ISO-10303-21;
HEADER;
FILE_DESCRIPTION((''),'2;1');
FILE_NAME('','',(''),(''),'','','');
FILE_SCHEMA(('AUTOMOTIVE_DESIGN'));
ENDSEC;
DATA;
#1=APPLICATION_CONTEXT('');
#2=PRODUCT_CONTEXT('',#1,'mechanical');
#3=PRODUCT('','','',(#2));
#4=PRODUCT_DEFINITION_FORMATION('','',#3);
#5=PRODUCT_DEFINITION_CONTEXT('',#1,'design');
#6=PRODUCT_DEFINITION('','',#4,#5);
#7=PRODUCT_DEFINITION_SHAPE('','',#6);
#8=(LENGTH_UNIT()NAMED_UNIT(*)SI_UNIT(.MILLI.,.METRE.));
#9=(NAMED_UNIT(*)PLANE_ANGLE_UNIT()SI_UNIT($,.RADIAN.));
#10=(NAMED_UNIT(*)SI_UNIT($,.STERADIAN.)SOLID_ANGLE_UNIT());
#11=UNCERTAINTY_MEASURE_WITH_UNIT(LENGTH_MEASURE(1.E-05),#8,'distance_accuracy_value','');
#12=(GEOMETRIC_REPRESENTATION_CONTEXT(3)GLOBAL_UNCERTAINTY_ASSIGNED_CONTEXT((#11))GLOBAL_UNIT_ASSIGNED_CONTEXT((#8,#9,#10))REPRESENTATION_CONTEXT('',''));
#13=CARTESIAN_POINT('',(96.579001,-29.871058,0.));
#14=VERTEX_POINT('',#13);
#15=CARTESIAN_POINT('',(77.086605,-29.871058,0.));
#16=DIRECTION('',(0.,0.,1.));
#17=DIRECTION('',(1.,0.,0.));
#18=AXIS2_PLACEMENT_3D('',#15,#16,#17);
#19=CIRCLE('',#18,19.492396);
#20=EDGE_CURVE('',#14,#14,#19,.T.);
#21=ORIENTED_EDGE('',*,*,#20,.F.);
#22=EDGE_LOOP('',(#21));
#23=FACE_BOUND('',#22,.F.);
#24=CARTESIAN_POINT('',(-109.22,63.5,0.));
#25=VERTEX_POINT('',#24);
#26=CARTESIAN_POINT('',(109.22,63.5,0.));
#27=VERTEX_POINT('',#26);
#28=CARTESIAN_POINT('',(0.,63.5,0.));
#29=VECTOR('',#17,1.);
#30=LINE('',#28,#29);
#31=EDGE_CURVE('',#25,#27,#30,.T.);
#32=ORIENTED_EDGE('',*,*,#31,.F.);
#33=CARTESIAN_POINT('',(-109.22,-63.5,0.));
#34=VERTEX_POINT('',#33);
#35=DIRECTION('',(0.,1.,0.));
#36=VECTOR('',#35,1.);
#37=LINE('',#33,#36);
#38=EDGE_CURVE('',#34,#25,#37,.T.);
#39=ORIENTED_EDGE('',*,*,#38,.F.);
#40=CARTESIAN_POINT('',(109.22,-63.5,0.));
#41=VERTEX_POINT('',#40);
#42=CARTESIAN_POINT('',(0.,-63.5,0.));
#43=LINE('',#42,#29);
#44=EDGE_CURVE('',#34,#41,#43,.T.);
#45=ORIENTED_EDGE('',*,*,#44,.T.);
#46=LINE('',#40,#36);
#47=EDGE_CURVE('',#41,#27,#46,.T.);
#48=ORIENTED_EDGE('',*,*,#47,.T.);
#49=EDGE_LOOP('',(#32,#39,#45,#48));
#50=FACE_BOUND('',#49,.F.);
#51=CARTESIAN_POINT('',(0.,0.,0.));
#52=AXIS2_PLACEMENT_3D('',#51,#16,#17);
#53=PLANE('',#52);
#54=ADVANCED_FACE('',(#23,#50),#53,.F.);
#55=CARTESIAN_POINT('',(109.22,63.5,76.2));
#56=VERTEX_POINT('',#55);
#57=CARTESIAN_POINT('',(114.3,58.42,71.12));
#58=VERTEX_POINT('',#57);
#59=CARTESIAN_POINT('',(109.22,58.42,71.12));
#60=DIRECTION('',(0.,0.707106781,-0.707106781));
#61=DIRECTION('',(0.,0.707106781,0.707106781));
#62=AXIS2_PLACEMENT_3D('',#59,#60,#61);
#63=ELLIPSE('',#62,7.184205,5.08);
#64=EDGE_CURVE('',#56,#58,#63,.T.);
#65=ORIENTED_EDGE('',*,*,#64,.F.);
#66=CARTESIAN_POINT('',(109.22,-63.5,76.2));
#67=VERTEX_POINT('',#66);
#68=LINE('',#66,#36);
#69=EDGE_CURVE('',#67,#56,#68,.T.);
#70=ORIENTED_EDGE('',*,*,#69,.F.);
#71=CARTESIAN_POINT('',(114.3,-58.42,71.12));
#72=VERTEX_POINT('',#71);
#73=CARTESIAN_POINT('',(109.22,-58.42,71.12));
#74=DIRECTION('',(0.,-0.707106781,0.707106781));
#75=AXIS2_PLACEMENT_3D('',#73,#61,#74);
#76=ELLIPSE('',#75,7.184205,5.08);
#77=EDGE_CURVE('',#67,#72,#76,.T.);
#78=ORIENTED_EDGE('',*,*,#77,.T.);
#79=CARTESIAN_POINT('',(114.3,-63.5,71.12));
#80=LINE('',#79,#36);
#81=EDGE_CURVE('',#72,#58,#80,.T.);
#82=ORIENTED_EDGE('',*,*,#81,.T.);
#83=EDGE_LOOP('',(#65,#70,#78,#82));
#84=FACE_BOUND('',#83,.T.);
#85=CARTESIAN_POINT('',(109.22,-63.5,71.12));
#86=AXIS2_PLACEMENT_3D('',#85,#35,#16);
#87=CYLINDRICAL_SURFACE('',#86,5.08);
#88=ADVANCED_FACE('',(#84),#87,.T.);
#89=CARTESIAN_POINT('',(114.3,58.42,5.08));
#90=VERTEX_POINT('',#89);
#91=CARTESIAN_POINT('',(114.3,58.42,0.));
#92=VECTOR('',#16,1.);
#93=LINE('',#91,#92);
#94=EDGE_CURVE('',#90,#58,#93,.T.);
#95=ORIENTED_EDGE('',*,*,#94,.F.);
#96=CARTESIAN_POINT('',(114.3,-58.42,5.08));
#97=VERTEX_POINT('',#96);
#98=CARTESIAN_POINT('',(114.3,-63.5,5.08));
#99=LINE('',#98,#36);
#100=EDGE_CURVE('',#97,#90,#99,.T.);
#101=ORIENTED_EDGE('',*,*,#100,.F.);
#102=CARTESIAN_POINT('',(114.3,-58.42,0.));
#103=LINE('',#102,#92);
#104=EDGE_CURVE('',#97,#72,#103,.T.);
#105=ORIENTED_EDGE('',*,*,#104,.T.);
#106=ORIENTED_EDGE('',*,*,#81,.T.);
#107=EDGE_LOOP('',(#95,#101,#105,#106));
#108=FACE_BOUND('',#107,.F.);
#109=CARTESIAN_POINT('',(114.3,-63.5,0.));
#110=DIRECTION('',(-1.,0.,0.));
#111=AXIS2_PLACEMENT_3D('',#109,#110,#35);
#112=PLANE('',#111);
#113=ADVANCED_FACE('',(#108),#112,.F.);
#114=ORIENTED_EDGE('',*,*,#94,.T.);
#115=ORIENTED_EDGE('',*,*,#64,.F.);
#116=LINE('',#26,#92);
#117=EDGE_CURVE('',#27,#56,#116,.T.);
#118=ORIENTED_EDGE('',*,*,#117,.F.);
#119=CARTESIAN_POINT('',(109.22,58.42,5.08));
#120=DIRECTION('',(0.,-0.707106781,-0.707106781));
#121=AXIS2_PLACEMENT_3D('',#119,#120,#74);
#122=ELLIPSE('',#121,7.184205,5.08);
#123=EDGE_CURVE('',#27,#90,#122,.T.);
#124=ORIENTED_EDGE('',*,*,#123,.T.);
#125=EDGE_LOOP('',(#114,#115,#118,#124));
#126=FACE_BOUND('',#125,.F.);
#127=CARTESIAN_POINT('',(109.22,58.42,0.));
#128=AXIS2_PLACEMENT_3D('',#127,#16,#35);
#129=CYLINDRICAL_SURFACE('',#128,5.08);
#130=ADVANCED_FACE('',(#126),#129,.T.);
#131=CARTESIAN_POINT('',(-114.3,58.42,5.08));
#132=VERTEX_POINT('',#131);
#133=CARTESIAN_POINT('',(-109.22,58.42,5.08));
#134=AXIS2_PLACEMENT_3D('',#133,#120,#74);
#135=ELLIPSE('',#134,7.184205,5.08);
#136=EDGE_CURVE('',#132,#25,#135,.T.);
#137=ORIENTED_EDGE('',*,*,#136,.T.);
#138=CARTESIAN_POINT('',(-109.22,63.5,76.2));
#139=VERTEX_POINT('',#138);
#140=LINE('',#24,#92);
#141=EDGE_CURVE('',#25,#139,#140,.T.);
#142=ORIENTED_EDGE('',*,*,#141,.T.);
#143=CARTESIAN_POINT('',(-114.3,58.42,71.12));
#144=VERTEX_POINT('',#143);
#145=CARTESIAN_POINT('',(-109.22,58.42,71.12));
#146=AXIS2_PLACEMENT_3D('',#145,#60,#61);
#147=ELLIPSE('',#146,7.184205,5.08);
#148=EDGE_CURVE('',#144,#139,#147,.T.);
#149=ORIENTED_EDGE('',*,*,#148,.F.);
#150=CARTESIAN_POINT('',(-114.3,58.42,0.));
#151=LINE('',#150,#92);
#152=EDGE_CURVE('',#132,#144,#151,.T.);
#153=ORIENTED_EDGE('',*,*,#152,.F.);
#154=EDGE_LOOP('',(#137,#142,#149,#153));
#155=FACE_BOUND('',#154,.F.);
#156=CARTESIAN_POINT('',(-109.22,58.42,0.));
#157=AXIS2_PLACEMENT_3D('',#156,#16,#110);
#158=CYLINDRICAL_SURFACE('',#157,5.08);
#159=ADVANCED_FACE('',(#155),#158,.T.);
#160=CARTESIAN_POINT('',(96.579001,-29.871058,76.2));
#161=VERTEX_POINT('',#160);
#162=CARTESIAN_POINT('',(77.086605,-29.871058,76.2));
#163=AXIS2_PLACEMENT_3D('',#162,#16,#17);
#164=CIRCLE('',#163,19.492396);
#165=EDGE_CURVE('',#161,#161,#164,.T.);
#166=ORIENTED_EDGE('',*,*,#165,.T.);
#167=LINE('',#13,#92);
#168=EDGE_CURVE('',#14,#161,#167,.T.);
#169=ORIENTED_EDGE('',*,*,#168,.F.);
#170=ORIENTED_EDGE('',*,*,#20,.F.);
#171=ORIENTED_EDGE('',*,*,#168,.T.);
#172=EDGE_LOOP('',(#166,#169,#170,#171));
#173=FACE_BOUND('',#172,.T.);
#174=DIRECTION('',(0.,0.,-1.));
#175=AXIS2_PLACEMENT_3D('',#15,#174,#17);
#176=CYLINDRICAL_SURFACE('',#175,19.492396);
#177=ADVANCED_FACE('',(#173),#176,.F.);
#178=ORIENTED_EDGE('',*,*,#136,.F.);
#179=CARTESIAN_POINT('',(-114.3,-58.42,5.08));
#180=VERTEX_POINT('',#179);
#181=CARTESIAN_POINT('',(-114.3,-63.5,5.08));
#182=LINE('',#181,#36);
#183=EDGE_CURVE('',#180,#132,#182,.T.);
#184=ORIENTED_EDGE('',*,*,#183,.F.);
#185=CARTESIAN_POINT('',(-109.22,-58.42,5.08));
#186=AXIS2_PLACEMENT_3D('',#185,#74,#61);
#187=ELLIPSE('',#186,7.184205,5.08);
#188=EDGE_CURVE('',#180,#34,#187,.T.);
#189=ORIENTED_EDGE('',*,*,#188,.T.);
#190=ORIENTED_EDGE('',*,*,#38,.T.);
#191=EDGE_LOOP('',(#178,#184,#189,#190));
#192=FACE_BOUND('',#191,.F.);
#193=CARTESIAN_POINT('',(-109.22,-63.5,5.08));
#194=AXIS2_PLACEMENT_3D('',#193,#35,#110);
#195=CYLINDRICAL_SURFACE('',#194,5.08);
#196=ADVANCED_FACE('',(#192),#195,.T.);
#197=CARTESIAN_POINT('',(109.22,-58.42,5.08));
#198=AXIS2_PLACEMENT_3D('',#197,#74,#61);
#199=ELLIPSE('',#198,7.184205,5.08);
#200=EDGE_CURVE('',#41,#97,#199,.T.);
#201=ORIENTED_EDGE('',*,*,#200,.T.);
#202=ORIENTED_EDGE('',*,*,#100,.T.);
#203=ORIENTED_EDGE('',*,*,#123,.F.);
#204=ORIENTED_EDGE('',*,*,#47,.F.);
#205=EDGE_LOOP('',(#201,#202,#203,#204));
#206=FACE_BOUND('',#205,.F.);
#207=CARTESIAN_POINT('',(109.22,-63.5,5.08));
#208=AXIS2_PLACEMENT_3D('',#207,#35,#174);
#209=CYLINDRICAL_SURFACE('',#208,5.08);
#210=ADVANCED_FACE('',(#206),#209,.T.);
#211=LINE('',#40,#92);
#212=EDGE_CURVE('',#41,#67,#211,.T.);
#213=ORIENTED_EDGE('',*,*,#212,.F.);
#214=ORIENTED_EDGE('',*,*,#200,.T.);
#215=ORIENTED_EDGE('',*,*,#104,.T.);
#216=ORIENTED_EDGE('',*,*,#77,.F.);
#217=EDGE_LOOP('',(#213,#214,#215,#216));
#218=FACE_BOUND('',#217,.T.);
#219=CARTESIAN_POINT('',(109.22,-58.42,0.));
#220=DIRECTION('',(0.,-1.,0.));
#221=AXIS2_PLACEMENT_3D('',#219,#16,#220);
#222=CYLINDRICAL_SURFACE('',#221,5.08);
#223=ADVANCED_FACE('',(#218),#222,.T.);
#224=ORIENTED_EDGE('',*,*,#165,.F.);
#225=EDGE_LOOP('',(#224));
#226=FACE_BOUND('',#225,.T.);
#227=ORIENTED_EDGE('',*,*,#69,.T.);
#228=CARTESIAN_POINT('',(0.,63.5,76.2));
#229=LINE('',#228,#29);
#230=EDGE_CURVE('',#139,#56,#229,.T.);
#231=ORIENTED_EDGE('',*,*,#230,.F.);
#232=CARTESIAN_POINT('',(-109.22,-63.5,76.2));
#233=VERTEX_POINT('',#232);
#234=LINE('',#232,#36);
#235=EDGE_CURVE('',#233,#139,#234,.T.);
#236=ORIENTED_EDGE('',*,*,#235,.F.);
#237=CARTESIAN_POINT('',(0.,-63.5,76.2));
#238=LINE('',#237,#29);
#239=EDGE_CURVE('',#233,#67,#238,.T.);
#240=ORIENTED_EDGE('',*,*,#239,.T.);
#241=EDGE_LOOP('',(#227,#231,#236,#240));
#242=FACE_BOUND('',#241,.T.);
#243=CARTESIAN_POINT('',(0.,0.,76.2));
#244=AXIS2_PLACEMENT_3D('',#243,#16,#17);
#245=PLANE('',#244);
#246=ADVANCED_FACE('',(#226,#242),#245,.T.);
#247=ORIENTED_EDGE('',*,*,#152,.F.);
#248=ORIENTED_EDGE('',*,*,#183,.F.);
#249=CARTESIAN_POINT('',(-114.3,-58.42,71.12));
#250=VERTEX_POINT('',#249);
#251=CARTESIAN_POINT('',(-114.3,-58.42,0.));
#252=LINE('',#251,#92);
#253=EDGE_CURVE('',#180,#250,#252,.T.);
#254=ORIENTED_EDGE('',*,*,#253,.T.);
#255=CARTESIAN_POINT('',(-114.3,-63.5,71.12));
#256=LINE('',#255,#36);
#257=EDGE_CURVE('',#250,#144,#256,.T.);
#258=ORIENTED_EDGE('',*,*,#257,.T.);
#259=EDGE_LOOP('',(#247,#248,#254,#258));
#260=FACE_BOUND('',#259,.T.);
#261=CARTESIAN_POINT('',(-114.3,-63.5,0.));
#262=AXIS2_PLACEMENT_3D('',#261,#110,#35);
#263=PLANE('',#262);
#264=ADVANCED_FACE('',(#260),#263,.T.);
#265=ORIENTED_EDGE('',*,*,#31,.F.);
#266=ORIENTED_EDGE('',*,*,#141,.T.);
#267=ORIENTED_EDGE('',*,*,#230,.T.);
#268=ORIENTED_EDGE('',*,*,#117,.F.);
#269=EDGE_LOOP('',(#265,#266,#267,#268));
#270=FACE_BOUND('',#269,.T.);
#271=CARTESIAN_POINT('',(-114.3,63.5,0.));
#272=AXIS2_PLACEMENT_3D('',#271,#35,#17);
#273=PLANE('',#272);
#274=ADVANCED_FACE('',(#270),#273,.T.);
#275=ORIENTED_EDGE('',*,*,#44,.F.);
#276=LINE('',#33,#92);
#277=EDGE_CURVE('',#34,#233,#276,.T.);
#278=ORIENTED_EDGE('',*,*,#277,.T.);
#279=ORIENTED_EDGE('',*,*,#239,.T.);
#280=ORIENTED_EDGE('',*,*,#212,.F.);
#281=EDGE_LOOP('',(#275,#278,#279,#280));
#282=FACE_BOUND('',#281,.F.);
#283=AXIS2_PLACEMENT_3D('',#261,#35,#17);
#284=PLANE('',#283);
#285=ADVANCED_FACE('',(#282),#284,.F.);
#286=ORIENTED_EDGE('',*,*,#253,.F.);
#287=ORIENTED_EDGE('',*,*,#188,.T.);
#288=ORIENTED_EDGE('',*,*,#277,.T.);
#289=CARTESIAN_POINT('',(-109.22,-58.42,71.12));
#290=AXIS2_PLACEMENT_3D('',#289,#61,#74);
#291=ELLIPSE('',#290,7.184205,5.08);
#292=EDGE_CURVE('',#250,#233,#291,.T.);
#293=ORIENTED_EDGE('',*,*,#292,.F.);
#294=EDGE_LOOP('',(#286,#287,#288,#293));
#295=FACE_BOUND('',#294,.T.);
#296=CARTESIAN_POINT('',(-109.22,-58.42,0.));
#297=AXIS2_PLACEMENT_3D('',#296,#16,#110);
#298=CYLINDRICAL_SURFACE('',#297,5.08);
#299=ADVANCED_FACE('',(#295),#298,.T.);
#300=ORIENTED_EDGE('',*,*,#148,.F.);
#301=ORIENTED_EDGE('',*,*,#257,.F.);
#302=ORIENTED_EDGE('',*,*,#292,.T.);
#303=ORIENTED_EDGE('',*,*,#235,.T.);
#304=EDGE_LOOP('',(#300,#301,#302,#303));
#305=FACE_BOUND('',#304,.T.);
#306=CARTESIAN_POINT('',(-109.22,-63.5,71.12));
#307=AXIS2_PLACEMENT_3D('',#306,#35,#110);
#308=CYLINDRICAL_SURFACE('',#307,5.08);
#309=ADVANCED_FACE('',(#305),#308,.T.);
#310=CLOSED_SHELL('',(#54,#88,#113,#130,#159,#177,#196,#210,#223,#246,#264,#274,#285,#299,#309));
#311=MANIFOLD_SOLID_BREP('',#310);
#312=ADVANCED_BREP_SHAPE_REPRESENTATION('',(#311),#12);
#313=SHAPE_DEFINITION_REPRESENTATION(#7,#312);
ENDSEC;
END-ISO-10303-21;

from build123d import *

# Parameters (mm, degrees)
F0_W     = 228.6
F0_H     = 127
F0_R     = 19.492396
F1_DEPTH = 76.2
F2_R     = 5.08
F3_R     = 5.08
F4_DEPTH = 25.4


with BuildPart() as f1:
    # F0 (on Top) → F1 (new body)
    with BuildSketch(Plane.XY):
        Rectangle(F0_W, F0_H)
        with Locations((77.086605, -29.871058)):
            Circle(F0_R, mode=Mode.SUBTRACT)
    extrude(amount=F1_DEPTH)

    # F2
    f2_edges = [f1.edges().sort_by_distance(p)[0] for p in [
        (-114.3, 63.5, 38.1),
        (-114.3, -63.5, 38.1),
        (-114.3, 0, 0),
        (-114.3, 0, 76.2),
    ]]
    fillet(f2_edges, radius=F2_R)

    # F3
    f3_edges = [f1.edges().sort_by_distance(p)[0] for p in [
        (114.3, -63.5, 38.1),
        (114.3, 63.5, 38.1),
        (114.3, 0, 0),
        (114.3, 0, 76.2),
    ]]
    fillet(f3_edges, radius=F3_R)

    # F0 (on Top) → F4 (cut)
    with BuildSketch(Plane.XY):
        with Locations((77.086605, -29.871058)):
            Circle(F0_R)
    extrude(amount=F4_DEPTH, mode=Mode.SUBTRACT)


solid = f1.part
